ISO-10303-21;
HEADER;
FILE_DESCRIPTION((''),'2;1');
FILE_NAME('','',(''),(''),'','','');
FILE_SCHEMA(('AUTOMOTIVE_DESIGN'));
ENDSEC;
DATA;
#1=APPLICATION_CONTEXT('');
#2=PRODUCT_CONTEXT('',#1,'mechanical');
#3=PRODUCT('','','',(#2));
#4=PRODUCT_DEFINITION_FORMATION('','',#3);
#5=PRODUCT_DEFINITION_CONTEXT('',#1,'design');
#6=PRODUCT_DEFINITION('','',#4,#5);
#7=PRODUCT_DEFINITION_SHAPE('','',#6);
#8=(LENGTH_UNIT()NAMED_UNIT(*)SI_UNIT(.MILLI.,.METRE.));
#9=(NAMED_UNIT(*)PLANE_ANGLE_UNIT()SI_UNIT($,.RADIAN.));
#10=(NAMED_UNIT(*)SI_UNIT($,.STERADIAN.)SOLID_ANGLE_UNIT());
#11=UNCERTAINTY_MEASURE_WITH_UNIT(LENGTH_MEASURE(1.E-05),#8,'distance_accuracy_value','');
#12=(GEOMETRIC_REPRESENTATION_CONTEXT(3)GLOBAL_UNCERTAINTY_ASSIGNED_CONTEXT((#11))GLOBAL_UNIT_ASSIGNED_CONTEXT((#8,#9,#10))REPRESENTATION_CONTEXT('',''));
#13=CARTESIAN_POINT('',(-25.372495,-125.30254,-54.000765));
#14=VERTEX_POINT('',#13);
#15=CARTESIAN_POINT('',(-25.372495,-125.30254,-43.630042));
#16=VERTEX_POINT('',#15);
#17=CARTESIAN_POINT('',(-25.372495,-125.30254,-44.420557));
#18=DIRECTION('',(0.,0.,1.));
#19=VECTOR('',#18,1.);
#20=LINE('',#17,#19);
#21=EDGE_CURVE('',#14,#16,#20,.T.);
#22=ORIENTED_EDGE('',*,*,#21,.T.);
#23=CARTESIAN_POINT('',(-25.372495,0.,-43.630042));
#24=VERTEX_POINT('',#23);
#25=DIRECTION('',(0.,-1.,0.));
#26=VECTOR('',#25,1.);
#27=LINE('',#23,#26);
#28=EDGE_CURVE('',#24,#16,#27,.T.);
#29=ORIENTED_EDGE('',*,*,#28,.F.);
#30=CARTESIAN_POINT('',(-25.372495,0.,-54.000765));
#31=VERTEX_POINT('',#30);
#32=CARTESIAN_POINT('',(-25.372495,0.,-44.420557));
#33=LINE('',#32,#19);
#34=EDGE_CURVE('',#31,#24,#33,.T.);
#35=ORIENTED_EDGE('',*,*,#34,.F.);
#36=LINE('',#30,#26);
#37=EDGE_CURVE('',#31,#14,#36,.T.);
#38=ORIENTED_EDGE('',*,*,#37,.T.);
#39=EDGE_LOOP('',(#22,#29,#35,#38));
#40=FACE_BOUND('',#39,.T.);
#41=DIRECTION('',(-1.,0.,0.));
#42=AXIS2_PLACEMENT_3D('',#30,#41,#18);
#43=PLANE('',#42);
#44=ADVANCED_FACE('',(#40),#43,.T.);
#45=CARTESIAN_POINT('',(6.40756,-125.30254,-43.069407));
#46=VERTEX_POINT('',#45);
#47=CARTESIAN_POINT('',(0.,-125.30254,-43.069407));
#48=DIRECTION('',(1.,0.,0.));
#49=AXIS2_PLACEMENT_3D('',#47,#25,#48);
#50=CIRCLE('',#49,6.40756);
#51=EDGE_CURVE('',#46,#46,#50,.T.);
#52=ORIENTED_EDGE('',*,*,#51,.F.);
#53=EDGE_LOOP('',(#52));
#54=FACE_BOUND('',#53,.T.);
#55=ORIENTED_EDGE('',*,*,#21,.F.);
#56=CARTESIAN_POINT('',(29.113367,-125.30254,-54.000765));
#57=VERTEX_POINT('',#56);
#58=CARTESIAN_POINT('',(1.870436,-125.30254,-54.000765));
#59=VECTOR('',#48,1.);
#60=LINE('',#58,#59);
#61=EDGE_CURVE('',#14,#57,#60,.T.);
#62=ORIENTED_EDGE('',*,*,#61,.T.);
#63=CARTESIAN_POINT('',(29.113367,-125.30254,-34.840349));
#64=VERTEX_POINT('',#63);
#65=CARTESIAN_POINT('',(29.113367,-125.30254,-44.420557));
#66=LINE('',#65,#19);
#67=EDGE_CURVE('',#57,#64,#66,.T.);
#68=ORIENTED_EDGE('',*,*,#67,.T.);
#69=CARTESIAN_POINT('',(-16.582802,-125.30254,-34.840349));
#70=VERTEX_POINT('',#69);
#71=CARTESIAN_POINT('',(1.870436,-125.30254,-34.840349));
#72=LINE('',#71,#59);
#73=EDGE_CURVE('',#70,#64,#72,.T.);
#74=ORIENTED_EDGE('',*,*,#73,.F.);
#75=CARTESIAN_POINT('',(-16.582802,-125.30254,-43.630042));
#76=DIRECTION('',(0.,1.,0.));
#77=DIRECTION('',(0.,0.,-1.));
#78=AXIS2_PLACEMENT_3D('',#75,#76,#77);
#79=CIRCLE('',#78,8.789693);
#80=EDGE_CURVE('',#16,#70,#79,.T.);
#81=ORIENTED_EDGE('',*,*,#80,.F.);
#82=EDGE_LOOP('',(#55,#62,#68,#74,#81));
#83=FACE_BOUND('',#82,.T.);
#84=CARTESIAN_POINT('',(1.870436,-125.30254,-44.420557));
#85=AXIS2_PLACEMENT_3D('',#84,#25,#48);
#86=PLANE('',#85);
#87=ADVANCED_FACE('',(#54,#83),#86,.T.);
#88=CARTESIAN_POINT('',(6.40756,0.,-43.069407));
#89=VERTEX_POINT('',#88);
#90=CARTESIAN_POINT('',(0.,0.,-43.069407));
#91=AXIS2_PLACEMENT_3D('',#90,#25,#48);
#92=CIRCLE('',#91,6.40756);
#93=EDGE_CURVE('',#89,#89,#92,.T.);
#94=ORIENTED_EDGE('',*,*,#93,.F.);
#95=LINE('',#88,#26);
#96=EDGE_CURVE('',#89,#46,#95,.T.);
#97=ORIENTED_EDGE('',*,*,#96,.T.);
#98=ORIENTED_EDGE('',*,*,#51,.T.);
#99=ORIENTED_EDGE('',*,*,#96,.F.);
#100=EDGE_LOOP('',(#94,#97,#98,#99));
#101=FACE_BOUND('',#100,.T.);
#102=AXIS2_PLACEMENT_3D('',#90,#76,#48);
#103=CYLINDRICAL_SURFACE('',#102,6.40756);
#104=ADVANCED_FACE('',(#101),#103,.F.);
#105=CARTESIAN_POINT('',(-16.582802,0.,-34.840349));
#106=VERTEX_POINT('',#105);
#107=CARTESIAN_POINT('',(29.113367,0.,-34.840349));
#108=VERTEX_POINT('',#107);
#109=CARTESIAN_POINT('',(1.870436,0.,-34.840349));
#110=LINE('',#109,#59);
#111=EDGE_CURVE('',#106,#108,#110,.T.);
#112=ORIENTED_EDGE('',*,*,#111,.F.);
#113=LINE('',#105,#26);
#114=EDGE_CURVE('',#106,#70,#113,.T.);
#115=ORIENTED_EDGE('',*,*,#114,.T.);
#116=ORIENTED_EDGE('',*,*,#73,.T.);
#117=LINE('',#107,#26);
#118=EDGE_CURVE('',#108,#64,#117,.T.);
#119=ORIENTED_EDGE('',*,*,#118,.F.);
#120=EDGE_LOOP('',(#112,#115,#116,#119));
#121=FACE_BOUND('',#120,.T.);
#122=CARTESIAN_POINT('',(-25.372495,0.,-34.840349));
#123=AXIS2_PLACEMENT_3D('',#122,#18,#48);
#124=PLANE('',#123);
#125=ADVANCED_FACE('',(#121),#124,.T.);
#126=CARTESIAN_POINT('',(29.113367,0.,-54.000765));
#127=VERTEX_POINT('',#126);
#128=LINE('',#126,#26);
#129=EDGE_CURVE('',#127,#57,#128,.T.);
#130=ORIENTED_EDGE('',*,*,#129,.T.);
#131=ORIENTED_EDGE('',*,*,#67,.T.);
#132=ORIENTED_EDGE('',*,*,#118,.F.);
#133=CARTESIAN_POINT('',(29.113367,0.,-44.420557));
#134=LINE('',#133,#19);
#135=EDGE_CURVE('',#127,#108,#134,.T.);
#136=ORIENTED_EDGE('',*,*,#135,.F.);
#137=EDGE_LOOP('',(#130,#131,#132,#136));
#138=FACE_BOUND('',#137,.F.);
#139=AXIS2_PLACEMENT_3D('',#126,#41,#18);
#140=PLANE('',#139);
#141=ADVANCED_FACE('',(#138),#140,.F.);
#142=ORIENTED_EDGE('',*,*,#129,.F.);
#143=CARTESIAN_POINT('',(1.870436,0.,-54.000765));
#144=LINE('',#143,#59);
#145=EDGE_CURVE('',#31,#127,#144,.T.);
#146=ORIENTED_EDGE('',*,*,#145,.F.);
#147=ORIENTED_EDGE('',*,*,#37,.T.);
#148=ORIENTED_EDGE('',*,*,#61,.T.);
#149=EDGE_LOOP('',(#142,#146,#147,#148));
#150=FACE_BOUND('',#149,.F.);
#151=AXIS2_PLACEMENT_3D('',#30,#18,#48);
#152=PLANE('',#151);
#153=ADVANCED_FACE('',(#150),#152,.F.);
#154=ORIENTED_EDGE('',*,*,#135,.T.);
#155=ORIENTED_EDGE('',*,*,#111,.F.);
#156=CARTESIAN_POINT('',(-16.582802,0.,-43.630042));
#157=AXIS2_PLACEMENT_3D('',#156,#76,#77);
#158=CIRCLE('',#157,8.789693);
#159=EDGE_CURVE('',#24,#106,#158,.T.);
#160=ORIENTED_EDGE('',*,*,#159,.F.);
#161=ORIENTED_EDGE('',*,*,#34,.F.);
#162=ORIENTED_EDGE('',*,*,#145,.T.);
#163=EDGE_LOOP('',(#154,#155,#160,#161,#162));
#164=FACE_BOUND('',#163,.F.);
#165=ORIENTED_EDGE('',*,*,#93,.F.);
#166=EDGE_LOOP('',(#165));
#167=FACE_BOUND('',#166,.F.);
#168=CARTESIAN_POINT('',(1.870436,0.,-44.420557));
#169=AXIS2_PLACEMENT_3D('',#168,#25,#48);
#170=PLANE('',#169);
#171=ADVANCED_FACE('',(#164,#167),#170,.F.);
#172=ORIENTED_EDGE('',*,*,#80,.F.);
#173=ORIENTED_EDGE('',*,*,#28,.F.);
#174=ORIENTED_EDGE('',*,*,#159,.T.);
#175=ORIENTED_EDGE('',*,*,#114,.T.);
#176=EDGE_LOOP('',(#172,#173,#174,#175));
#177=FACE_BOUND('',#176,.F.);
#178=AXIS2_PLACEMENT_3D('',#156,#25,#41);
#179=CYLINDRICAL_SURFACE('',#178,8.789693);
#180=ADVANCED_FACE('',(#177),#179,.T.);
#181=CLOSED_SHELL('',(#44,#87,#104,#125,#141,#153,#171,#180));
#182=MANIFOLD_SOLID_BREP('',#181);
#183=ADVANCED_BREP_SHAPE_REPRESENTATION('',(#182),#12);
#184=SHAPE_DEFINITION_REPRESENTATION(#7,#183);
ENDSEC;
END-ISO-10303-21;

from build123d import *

# Parameters (mm, degrees)
F0_W     = 54.485863
F0_H     = 19.160416
F0_R     = 6.40756
F1_DEPTH = 125.30254
F2_R     = 8.789693


with BuildPart() as f1:
    # F0 (on Front) → F1 (new body)
    with BuildSketch(Plane.XZ):
        with Locations((1.870436, -44.420557)):
            Rectangle(F0_W, F0_H)
        with Locations((0, -43.069407)):
            Circle(F0_R, mode=Mode.SUBTRACT)
    extrude(amount=F1_DEPTH)

    # F2
    f2_edges = [f1.edges().sort_by_distance(p)[0] for p in [
        (-25.372496, -62.65127, -34.840349),
    ]]
    fillet(f2_edges, radius=F2_R)


solid = f1.part
